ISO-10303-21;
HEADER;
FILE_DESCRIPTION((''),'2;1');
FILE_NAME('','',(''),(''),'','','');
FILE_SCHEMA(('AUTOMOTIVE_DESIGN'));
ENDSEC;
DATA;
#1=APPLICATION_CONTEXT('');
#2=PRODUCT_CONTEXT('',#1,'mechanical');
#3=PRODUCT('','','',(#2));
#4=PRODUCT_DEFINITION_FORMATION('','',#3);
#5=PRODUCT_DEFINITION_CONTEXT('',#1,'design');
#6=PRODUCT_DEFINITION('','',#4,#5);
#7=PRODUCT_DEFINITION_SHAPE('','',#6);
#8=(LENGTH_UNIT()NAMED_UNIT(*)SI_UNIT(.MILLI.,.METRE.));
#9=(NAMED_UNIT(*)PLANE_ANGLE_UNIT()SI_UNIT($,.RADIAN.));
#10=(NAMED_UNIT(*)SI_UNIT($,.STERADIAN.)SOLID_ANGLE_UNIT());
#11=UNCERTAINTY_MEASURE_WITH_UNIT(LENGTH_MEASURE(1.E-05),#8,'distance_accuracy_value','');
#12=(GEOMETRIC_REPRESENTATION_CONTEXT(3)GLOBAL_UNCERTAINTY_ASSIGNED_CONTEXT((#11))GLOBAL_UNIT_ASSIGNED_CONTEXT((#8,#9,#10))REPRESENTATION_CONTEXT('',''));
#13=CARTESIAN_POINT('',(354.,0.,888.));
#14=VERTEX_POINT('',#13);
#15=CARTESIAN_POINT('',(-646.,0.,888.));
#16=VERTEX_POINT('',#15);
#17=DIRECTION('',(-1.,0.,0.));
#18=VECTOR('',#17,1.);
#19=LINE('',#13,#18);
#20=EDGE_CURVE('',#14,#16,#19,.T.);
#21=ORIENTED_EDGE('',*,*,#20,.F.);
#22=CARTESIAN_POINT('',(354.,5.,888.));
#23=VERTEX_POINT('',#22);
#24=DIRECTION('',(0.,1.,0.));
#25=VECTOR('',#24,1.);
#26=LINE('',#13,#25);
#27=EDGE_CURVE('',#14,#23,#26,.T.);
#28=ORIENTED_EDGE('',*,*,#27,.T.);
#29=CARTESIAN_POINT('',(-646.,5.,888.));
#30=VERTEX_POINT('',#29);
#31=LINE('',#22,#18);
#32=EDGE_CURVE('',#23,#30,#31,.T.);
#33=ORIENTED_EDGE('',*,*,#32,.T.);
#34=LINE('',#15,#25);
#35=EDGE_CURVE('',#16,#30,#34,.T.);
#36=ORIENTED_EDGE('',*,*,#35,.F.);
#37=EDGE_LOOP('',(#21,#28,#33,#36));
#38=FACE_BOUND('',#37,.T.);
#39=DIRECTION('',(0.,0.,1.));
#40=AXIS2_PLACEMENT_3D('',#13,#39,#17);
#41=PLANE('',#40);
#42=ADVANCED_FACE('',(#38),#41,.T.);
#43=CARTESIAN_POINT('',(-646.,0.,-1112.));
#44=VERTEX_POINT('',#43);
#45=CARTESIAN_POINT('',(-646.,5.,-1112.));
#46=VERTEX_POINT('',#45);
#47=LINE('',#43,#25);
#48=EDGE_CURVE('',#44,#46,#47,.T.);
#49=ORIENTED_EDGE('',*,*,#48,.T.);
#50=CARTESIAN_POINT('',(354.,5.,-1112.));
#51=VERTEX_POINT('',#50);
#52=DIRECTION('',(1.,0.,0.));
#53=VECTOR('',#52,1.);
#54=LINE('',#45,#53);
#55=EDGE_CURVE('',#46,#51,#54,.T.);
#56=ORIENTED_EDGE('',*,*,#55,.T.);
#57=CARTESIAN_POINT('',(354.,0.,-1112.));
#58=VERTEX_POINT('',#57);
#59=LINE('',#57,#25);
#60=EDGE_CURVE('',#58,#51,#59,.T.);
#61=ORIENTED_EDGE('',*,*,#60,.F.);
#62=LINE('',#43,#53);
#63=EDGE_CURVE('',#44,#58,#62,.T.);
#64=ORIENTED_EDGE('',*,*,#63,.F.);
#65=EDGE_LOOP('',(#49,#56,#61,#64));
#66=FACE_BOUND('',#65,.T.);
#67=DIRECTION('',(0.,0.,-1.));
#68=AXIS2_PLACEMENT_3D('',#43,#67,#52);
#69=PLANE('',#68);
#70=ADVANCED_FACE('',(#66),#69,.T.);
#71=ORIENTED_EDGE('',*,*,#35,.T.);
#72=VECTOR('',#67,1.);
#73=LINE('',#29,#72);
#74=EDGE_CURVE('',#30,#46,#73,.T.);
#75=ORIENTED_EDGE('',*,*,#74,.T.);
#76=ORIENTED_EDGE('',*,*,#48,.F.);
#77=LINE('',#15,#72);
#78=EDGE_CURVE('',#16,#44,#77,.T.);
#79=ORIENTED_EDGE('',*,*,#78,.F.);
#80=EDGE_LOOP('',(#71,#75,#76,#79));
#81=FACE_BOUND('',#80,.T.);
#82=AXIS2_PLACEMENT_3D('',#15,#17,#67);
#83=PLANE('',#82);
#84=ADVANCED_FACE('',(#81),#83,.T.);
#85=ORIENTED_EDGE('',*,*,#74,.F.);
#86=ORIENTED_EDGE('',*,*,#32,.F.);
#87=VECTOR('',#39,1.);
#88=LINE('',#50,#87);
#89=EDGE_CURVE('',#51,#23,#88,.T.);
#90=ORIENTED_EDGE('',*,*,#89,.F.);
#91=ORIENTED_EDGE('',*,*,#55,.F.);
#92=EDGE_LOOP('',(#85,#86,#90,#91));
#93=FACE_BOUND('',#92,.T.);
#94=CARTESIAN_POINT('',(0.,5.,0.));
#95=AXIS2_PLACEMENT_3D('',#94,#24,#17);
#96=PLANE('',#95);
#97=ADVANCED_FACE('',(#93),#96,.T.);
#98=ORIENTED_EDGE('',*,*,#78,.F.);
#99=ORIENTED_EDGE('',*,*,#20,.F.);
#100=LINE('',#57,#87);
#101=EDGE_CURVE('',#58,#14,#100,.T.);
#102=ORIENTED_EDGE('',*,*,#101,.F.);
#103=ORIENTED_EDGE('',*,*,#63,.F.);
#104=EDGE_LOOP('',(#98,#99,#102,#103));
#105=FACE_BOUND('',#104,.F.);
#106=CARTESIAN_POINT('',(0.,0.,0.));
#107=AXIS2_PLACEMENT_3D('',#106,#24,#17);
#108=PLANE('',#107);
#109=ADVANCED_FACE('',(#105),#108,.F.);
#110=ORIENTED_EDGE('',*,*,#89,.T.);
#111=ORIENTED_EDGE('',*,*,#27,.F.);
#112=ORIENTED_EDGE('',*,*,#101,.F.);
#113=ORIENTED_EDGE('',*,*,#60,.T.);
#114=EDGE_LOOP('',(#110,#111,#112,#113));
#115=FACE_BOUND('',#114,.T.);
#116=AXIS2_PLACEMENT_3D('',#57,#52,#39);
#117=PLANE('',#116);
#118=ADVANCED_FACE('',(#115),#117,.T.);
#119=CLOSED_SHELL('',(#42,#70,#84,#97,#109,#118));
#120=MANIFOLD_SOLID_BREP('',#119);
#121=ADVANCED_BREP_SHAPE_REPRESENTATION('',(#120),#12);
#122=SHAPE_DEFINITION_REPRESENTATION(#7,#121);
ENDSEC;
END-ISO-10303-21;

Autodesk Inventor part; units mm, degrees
ref_plane "YZ Plane" through (0, 0, 0) normal (1, 0, 0) x (0, 1, 0)
ref_plane "XZ Plane" through (0, 0, 0) normal (0, 1, 0) x (-1, 0, 0)
ref_plane "XY Plane" through (0, 0, 0) normal (0, 0, 1) x (1, 0, 0)
sketch "Sketch1" plane through (0, 0, 0) normal (0, 1, 0) x (-1, 0, 0)
  line L0 (-354, 888) -> (646, 888)
  line L1 (646, 888) -> (646, -1112)
  line L2 (646, -1112) -> (-354, -1112)
  line L3 (-354, -1112) -> (-354, 888)
  point P0 (0, 0)
  dimension "d0" = 1000
  dimension "d1" = 2000
extrude "Extrusion1" add sketch "Sketch1" along normal blind 5
properties part number "Tepih" material "Carpet"
